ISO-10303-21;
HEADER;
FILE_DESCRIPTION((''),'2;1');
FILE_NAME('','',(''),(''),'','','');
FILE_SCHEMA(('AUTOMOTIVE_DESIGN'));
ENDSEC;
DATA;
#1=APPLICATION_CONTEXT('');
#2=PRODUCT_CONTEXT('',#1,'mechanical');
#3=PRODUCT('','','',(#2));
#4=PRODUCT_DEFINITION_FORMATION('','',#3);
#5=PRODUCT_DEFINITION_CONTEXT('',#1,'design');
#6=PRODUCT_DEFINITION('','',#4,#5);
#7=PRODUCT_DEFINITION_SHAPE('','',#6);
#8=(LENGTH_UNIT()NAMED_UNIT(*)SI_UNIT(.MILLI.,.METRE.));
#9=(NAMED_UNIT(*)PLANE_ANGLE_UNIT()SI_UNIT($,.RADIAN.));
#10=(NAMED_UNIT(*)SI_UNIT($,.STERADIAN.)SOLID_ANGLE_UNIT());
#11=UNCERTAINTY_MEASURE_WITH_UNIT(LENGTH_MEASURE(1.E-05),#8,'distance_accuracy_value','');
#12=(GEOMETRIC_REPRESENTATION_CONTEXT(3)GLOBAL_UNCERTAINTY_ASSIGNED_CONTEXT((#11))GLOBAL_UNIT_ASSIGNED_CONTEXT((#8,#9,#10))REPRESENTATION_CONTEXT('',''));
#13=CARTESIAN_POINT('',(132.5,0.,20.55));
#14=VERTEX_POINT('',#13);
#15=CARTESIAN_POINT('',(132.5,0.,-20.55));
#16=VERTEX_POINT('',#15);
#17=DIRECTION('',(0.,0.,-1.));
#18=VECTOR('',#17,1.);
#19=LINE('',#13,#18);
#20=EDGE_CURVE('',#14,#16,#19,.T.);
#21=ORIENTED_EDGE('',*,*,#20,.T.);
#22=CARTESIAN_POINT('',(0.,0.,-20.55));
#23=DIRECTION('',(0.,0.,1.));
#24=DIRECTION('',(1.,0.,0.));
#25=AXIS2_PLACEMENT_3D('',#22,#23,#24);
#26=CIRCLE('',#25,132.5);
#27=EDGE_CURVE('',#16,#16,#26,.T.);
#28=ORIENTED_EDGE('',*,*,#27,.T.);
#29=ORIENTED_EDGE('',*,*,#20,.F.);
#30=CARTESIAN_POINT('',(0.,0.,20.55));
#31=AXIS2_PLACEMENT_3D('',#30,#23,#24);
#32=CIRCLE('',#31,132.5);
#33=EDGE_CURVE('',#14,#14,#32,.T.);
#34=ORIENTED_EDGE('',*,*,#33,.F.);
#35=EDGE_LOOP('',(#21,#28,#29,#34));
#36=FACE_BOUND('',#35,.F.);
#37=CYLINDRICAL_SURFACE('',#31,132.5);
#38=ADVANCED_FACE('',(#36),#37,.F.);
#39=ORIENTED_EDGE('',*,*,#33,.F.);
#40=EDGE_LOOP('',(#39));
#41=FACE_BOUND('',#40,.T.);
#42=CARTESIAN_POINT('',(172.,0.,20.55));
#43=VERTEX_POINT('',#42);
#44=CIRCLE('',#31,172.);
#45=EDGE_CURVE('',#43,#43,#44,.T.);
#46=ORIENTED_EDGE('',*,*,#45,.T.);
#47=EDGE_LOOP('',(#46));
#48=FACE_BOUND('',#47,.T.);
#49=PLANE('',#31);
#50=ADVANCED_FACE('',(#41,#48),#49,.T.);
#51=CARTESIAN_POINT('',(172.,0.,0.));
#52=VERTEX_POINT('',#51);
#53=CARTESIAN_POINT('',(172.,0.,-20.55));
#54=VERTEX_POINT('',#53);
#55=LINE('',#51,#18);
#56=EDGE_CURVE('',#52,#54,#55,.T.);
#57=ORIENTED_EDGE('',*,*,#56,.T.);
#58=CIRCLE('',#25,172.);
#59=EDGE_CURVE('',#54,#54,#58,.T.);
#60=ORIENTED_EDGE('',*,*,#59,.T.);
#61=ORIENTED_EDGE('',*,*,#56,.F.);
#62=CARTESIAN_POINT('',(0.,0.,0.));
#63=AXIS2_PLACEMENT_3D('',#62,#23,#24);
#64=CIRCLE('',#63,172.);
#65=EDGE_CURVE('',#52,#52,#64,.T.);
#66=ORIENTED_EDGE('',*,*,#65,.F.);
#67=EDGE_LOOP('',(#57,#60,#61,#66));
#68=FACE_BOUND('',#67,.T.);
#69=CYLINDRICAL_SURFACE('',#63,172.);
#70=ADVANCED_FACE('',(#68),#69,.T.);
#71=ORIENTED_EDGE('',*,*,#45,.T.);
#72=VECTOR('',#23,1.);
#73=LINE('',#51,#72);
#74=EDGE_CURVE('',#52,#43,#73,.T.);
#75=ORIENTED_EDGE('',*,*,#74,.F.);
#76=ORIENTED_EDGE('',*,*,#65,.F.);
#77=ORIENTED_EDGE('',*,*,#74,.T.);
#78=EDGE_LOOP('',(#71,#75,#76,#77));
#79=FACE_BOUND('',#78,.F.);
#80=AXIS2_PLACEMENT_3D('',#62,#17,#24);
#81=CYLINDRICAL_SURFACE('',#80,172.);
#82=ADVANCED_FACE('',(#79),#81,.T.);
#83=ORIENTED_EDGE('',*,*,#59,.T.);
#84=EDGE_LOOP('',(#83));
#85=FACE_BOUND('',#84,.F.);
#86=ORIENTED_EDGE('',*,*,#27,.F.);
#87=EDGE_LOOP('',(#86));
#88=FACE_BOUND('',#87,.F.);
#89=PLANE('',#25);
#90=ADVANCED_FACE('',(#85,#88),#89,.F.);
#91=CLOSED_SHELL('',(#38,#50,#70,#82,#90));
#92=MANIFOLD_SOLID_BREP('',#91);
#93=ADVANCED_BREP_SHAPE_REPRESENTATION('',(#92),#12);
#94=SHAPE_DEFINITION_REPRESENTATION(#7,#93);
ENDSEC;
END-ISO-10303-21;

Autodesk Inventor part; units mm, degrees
ref_plane "YZ Plane" through (0, 0, 0) normal (1, 0, 0) x (0, 1, 0)
ref_plane "XZ Plane" through (0, 0, 0) normal (0, 1, 0) x (-1, 0, 0)
ref_plane "XY Plane" through (0, 0, 0) normal (0, 0, 1) x (1, 0, 0)
sketch "Sketch1" plane through (0, 0, 0) normal (0, 0, 1) x (1, 0, 0)
  circle A0 centre (0, 0) radius 172
  dimension "d0" = 344
extrude "Extrusion1" add sketch "Sketch1" along normal mid plane 41.1
sketch "Sketch2" plane through (0, 0, 20.55) normal (0, 0, 1) x (1, 0, 0)
  circle A0 centre (0, 0) radius 132.5
  dimension "d3" = 265
extrude "Extrusion2" cut sketch "Sketch2" against normal through all
properties part number "AGBL03_REV_01_2"
